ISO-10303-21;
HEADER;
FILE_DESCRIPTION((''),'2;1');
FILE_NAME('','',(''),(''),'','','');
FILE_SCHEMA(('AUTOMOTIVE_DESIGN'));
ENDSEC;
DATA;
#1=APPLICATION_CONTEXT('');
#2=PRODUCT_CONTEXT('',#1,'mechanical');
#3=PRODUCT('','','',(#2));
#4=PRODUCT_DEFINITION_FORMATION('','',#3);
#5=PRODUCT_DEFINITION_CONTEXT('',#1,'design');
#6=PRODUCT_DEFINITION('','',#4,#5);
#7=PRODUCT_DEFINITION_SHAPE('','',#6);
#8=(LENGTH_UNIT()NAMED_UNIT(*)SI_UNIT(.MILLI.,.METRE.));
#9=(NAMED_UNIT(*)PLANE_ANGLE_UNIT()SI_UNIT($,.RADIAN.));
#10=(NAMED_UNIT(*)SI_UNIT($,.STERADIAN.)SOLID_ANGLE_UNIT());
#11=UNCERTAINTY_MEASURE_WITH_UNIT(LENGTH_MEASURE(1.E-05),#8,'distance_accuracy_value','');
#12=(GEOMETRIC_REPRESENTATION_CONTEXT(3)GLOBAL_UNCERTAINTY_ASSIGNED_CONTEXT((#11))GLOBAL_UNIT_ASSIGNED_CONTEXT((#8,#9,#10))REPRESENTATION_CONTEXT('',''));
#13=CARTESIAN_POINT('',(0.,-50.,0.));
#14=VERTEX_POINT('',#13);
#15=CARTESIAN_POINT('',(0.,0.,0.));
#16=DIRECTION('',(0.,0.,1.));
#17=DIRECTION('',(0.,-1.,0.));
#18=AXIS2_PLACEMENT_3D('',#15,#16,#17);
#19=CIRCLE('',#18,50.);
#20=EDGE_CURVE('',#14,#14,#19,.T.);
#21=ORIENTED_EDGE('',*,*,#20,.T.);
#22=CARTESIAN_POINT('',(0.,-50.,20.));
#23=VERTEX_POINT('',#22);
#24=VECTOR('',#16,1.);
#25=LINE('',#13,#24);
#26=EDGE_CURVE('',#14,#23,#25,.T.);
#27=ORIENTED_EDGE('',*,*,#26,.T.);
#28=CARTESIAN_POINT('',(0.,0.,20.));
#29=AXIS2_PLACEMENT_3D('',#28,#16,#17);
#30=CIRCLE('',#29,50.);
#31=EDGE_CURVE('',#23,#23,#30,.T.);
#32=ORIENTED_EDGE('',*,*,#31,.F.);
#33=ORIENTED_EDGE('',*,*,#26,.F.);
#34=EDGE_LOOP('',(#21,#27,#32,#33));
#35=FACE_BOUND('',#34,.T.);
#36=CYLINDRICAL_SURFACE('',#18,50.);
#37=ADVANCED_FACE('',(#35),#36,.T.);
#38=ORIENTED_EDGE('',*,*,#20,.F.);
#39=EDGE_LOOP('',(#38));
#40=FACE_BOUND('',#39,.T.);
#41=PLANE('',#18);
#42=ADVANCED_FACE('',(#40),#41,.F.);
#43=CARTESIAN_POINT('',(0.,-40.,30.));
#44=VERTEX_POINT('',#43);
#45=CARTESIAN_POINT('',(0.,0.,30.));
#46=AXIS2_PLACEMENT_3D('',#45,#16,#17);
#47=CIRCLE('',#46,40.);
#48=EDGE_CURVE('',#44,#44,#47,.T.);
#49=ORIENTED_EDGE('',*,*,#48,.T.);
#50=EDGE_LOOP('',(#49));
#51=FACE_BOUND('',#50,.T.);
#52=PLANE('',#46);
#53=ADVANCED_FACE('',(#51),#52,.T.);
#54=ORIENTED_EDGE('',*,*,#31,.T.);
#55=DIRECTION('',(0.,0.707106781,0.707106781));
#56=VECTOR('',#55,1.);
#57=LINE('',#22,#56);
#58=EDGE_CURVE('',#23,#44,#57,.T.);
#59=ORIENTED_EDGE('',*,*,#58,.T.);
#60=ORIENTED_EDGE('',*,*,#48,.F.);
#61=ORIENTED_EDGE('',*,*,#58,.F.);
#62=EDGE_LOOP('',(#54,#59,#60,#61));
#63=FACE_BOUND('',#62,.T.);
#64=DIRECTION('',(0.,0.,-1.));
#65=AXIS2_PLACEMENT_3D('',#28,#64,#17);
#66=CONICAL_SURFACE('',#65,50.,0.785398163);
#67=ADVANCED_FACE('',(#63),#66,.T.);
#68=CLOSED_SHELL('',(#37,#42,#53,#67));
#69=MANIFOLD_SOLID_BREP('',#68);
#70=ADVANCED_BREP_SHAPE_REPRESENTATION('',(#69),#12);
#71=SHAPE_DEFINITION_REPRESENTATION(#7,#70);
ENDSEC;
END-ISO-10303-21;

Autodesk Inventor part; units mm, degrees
ref_plane "YZ Plane" through (0, 0, 0) normal (1, 0, 0) x (0, 1, 0)
ref_plane "XZ Plane" through (0, 0, 0) normal (0, 1, 0) x (-1, 0, 0)
ref_plane "XY Plane" through (0, 0, 0) normal (0, 0, 1) x (1, 0, 0)
sketch "Skizze2" plane through (0, 0, 0) normal (1, 0, 0) x (0, 1, 0)
  line L0 (0, -14.6074) -> (0, 127.4912)
  line L1 (0, 0) -> (-50, 0)
  line L2 (-50, 0) -> (-50, 20)
  line L3 (-50, 20) -> (-40, 30)
  line L4 (-40, 30) -> (0, 30)
  dimension "d0" = 30
  dimension "d1" = 100
  dimension "d2" = 45
  dimension "d3" = 10
revolve "Umdrehung1" add sketch "Skizze2" angle 360 about axis through (0, 0, -14.6074) along (0, 0, 1)
properties part number "Dose_oben"
